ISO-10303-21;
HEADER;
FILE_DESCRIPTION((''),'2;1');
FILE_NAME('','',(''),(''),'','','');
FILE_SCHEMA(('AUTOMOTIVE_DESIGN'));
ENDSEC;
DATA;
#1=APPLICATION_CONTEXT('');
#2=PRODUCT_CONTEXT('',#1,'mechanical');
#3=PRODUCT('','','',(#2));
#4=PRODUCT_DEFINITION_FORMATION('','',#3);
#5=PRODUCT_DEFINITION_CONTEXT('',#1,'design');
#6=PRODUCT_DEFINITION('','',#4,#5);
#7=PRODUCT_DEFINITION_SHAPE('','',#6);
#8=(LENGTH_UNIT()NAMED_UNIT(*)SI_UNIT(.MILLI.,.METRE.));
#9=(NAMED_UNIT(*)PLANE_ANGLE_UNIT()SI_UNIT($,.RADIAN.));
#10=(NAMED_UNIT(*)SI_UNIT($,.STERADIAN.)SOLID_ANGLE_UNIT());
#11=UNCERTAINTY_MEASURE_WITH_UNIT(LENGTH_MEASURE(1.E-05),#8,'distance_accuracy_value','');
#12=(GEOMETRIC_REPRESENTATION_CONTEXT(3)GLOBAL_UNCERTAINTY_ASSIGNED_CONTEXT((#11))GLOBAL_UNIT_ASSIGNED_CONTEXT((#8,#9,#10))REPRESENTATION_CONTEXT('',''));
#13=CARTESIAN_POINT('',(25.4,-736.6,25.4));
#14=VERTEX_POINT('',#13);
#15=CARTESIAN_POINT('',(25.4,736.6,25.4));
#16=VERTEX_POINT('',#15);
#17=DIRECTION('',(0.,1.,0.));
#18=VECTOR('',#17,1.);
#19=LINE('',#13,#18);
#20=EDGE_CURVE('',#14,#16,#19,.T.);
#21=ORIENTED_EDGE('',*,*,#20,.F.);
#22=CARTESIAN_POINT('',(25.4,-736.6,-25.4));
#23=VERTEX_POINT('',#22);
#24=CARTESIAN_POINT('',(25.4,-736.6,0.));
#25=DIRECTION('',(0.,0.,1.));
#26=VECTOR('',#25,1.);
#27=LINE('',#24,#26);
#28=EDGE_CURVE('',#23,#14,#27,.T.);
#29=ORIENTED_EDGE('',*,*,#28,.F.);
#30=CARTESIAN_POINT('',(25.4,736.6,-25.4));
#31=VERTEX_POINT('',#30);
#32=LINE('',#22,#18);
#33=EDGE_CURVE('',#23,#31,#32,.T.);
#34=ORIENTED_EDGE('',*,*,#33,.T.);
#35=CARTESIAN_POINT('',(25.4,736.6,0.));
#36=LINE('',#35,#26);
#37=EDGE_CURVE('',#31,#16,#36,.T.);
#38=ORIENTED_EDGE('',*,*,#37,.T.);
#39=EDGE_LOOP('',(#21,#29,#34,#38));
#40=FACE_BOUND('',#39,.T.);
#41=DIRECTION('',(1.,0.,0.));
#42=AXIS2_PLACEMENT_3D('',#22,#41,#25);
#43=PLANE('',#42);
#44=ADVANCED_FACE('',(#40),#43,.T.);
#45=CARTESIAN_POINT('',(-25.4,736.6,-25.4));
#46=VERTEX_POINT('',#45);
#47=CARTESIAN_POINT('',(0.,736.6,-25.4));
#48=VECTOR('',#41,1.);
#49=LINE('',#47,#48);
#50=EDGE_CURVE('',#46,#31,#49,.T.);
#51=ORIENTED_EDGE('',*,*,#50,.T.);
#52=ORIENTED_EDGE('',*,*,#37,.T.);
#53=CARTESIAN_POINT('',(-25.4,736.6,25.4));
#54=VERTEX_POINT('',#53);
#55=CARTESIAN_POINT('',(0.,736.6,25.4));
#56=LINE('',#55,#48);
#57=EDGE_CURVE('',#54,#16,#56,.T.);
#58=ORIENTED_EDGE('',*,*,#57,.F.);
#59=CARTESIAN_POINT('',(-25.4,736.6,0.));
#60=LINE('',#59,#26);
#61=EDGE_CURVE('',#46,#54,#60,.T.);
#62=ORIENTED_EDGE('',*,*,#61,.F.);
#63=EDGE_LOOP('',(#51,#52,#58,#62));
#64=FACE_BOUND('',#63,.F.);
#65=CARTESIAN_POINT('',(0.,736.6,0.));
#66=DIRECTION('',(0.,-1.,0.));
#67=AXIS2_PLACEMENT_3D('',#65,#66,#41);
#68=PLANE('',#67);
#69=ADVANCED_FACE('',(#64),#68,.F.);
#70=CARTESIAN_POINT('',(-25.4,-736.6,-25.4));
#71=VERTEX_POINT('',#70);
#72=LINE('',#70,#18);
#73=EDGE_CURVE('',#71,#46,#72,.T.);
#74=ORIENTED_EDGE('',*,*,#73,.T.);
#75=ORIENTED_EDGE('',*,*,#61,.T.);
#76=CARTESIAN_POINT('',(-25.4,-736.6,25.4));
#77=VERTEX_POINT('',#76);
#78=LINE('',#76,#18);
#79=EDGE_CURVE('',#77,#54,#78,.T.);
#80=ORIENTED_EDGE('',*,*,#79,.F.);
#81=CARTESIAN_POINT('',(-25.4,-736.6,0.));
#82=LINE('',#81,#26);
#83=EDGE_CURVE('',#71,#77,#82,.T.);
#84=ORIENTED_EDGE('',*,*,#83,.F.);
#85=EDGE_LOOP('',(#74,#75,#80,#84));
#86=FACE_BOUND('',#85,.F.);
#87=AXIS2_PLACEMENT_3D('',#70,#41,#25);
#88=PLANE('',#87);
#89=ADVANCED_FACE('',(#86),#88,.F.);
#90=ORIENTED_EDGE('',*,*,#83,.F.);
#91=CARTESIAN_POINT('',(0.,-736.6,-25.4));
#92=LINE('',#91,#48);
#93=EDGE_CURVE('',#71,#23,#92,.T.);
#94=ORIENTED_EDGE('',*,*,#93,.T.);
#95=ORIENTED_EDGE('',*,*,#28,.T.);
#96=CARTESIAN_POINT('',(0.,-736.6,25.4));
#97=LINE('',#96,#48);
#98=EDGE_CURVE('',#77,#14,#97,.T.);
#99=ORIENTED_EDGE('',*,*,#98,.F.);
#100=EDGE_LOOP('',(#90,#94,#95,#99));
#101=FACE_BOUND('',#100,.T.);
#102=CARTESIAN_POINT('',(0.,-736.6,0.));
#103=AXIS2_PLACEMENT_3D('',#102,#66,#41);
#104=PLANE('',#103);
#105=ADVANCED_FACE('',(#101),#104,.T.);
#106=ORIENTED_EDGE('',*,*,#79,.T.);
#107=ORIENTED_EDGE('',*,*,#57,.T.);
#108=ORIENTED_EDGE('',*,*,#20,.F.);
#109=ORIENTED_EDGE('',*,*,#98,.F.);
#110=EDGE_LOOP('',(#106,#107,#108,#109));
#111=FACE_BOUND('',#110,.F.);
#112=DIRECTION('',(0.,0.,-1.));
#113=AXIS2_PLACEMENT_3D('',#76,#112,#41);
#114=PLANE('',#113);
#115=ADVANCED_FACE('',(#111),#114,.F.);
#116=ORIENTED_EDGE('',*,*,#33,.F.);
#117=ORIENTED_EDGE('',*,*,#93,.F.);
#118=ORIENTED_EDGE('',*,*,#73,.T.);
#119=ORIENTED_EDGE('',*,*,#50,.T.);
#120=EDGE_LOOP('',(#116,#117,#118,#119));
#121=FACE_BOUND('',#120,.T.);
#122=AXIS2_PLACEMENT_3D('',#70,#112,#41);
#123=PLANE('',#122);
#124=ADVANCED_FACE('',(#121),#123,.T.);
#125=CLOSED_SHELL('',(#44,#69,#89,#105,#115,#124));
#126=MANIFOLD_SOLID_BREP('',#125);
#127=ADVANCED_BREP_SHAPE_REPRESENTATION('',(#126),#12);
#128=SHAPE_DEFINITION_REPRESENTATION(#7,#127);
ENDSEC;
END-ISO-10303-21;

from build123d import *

# Parameters (mm, degrees)
F1_W     = 50.8
F1_H     = 50.8
F2_DEPTH = 1473.2


with BuildPart() as f2:
    # F1 (on offset) → F2 (new body)
    with BuildSketch(Plane.XZ.offset(736.6)):
        Rectangle(F1_W, F1_H)
    extrude(amount=-F2_DEPTH)


solid = f2.part
